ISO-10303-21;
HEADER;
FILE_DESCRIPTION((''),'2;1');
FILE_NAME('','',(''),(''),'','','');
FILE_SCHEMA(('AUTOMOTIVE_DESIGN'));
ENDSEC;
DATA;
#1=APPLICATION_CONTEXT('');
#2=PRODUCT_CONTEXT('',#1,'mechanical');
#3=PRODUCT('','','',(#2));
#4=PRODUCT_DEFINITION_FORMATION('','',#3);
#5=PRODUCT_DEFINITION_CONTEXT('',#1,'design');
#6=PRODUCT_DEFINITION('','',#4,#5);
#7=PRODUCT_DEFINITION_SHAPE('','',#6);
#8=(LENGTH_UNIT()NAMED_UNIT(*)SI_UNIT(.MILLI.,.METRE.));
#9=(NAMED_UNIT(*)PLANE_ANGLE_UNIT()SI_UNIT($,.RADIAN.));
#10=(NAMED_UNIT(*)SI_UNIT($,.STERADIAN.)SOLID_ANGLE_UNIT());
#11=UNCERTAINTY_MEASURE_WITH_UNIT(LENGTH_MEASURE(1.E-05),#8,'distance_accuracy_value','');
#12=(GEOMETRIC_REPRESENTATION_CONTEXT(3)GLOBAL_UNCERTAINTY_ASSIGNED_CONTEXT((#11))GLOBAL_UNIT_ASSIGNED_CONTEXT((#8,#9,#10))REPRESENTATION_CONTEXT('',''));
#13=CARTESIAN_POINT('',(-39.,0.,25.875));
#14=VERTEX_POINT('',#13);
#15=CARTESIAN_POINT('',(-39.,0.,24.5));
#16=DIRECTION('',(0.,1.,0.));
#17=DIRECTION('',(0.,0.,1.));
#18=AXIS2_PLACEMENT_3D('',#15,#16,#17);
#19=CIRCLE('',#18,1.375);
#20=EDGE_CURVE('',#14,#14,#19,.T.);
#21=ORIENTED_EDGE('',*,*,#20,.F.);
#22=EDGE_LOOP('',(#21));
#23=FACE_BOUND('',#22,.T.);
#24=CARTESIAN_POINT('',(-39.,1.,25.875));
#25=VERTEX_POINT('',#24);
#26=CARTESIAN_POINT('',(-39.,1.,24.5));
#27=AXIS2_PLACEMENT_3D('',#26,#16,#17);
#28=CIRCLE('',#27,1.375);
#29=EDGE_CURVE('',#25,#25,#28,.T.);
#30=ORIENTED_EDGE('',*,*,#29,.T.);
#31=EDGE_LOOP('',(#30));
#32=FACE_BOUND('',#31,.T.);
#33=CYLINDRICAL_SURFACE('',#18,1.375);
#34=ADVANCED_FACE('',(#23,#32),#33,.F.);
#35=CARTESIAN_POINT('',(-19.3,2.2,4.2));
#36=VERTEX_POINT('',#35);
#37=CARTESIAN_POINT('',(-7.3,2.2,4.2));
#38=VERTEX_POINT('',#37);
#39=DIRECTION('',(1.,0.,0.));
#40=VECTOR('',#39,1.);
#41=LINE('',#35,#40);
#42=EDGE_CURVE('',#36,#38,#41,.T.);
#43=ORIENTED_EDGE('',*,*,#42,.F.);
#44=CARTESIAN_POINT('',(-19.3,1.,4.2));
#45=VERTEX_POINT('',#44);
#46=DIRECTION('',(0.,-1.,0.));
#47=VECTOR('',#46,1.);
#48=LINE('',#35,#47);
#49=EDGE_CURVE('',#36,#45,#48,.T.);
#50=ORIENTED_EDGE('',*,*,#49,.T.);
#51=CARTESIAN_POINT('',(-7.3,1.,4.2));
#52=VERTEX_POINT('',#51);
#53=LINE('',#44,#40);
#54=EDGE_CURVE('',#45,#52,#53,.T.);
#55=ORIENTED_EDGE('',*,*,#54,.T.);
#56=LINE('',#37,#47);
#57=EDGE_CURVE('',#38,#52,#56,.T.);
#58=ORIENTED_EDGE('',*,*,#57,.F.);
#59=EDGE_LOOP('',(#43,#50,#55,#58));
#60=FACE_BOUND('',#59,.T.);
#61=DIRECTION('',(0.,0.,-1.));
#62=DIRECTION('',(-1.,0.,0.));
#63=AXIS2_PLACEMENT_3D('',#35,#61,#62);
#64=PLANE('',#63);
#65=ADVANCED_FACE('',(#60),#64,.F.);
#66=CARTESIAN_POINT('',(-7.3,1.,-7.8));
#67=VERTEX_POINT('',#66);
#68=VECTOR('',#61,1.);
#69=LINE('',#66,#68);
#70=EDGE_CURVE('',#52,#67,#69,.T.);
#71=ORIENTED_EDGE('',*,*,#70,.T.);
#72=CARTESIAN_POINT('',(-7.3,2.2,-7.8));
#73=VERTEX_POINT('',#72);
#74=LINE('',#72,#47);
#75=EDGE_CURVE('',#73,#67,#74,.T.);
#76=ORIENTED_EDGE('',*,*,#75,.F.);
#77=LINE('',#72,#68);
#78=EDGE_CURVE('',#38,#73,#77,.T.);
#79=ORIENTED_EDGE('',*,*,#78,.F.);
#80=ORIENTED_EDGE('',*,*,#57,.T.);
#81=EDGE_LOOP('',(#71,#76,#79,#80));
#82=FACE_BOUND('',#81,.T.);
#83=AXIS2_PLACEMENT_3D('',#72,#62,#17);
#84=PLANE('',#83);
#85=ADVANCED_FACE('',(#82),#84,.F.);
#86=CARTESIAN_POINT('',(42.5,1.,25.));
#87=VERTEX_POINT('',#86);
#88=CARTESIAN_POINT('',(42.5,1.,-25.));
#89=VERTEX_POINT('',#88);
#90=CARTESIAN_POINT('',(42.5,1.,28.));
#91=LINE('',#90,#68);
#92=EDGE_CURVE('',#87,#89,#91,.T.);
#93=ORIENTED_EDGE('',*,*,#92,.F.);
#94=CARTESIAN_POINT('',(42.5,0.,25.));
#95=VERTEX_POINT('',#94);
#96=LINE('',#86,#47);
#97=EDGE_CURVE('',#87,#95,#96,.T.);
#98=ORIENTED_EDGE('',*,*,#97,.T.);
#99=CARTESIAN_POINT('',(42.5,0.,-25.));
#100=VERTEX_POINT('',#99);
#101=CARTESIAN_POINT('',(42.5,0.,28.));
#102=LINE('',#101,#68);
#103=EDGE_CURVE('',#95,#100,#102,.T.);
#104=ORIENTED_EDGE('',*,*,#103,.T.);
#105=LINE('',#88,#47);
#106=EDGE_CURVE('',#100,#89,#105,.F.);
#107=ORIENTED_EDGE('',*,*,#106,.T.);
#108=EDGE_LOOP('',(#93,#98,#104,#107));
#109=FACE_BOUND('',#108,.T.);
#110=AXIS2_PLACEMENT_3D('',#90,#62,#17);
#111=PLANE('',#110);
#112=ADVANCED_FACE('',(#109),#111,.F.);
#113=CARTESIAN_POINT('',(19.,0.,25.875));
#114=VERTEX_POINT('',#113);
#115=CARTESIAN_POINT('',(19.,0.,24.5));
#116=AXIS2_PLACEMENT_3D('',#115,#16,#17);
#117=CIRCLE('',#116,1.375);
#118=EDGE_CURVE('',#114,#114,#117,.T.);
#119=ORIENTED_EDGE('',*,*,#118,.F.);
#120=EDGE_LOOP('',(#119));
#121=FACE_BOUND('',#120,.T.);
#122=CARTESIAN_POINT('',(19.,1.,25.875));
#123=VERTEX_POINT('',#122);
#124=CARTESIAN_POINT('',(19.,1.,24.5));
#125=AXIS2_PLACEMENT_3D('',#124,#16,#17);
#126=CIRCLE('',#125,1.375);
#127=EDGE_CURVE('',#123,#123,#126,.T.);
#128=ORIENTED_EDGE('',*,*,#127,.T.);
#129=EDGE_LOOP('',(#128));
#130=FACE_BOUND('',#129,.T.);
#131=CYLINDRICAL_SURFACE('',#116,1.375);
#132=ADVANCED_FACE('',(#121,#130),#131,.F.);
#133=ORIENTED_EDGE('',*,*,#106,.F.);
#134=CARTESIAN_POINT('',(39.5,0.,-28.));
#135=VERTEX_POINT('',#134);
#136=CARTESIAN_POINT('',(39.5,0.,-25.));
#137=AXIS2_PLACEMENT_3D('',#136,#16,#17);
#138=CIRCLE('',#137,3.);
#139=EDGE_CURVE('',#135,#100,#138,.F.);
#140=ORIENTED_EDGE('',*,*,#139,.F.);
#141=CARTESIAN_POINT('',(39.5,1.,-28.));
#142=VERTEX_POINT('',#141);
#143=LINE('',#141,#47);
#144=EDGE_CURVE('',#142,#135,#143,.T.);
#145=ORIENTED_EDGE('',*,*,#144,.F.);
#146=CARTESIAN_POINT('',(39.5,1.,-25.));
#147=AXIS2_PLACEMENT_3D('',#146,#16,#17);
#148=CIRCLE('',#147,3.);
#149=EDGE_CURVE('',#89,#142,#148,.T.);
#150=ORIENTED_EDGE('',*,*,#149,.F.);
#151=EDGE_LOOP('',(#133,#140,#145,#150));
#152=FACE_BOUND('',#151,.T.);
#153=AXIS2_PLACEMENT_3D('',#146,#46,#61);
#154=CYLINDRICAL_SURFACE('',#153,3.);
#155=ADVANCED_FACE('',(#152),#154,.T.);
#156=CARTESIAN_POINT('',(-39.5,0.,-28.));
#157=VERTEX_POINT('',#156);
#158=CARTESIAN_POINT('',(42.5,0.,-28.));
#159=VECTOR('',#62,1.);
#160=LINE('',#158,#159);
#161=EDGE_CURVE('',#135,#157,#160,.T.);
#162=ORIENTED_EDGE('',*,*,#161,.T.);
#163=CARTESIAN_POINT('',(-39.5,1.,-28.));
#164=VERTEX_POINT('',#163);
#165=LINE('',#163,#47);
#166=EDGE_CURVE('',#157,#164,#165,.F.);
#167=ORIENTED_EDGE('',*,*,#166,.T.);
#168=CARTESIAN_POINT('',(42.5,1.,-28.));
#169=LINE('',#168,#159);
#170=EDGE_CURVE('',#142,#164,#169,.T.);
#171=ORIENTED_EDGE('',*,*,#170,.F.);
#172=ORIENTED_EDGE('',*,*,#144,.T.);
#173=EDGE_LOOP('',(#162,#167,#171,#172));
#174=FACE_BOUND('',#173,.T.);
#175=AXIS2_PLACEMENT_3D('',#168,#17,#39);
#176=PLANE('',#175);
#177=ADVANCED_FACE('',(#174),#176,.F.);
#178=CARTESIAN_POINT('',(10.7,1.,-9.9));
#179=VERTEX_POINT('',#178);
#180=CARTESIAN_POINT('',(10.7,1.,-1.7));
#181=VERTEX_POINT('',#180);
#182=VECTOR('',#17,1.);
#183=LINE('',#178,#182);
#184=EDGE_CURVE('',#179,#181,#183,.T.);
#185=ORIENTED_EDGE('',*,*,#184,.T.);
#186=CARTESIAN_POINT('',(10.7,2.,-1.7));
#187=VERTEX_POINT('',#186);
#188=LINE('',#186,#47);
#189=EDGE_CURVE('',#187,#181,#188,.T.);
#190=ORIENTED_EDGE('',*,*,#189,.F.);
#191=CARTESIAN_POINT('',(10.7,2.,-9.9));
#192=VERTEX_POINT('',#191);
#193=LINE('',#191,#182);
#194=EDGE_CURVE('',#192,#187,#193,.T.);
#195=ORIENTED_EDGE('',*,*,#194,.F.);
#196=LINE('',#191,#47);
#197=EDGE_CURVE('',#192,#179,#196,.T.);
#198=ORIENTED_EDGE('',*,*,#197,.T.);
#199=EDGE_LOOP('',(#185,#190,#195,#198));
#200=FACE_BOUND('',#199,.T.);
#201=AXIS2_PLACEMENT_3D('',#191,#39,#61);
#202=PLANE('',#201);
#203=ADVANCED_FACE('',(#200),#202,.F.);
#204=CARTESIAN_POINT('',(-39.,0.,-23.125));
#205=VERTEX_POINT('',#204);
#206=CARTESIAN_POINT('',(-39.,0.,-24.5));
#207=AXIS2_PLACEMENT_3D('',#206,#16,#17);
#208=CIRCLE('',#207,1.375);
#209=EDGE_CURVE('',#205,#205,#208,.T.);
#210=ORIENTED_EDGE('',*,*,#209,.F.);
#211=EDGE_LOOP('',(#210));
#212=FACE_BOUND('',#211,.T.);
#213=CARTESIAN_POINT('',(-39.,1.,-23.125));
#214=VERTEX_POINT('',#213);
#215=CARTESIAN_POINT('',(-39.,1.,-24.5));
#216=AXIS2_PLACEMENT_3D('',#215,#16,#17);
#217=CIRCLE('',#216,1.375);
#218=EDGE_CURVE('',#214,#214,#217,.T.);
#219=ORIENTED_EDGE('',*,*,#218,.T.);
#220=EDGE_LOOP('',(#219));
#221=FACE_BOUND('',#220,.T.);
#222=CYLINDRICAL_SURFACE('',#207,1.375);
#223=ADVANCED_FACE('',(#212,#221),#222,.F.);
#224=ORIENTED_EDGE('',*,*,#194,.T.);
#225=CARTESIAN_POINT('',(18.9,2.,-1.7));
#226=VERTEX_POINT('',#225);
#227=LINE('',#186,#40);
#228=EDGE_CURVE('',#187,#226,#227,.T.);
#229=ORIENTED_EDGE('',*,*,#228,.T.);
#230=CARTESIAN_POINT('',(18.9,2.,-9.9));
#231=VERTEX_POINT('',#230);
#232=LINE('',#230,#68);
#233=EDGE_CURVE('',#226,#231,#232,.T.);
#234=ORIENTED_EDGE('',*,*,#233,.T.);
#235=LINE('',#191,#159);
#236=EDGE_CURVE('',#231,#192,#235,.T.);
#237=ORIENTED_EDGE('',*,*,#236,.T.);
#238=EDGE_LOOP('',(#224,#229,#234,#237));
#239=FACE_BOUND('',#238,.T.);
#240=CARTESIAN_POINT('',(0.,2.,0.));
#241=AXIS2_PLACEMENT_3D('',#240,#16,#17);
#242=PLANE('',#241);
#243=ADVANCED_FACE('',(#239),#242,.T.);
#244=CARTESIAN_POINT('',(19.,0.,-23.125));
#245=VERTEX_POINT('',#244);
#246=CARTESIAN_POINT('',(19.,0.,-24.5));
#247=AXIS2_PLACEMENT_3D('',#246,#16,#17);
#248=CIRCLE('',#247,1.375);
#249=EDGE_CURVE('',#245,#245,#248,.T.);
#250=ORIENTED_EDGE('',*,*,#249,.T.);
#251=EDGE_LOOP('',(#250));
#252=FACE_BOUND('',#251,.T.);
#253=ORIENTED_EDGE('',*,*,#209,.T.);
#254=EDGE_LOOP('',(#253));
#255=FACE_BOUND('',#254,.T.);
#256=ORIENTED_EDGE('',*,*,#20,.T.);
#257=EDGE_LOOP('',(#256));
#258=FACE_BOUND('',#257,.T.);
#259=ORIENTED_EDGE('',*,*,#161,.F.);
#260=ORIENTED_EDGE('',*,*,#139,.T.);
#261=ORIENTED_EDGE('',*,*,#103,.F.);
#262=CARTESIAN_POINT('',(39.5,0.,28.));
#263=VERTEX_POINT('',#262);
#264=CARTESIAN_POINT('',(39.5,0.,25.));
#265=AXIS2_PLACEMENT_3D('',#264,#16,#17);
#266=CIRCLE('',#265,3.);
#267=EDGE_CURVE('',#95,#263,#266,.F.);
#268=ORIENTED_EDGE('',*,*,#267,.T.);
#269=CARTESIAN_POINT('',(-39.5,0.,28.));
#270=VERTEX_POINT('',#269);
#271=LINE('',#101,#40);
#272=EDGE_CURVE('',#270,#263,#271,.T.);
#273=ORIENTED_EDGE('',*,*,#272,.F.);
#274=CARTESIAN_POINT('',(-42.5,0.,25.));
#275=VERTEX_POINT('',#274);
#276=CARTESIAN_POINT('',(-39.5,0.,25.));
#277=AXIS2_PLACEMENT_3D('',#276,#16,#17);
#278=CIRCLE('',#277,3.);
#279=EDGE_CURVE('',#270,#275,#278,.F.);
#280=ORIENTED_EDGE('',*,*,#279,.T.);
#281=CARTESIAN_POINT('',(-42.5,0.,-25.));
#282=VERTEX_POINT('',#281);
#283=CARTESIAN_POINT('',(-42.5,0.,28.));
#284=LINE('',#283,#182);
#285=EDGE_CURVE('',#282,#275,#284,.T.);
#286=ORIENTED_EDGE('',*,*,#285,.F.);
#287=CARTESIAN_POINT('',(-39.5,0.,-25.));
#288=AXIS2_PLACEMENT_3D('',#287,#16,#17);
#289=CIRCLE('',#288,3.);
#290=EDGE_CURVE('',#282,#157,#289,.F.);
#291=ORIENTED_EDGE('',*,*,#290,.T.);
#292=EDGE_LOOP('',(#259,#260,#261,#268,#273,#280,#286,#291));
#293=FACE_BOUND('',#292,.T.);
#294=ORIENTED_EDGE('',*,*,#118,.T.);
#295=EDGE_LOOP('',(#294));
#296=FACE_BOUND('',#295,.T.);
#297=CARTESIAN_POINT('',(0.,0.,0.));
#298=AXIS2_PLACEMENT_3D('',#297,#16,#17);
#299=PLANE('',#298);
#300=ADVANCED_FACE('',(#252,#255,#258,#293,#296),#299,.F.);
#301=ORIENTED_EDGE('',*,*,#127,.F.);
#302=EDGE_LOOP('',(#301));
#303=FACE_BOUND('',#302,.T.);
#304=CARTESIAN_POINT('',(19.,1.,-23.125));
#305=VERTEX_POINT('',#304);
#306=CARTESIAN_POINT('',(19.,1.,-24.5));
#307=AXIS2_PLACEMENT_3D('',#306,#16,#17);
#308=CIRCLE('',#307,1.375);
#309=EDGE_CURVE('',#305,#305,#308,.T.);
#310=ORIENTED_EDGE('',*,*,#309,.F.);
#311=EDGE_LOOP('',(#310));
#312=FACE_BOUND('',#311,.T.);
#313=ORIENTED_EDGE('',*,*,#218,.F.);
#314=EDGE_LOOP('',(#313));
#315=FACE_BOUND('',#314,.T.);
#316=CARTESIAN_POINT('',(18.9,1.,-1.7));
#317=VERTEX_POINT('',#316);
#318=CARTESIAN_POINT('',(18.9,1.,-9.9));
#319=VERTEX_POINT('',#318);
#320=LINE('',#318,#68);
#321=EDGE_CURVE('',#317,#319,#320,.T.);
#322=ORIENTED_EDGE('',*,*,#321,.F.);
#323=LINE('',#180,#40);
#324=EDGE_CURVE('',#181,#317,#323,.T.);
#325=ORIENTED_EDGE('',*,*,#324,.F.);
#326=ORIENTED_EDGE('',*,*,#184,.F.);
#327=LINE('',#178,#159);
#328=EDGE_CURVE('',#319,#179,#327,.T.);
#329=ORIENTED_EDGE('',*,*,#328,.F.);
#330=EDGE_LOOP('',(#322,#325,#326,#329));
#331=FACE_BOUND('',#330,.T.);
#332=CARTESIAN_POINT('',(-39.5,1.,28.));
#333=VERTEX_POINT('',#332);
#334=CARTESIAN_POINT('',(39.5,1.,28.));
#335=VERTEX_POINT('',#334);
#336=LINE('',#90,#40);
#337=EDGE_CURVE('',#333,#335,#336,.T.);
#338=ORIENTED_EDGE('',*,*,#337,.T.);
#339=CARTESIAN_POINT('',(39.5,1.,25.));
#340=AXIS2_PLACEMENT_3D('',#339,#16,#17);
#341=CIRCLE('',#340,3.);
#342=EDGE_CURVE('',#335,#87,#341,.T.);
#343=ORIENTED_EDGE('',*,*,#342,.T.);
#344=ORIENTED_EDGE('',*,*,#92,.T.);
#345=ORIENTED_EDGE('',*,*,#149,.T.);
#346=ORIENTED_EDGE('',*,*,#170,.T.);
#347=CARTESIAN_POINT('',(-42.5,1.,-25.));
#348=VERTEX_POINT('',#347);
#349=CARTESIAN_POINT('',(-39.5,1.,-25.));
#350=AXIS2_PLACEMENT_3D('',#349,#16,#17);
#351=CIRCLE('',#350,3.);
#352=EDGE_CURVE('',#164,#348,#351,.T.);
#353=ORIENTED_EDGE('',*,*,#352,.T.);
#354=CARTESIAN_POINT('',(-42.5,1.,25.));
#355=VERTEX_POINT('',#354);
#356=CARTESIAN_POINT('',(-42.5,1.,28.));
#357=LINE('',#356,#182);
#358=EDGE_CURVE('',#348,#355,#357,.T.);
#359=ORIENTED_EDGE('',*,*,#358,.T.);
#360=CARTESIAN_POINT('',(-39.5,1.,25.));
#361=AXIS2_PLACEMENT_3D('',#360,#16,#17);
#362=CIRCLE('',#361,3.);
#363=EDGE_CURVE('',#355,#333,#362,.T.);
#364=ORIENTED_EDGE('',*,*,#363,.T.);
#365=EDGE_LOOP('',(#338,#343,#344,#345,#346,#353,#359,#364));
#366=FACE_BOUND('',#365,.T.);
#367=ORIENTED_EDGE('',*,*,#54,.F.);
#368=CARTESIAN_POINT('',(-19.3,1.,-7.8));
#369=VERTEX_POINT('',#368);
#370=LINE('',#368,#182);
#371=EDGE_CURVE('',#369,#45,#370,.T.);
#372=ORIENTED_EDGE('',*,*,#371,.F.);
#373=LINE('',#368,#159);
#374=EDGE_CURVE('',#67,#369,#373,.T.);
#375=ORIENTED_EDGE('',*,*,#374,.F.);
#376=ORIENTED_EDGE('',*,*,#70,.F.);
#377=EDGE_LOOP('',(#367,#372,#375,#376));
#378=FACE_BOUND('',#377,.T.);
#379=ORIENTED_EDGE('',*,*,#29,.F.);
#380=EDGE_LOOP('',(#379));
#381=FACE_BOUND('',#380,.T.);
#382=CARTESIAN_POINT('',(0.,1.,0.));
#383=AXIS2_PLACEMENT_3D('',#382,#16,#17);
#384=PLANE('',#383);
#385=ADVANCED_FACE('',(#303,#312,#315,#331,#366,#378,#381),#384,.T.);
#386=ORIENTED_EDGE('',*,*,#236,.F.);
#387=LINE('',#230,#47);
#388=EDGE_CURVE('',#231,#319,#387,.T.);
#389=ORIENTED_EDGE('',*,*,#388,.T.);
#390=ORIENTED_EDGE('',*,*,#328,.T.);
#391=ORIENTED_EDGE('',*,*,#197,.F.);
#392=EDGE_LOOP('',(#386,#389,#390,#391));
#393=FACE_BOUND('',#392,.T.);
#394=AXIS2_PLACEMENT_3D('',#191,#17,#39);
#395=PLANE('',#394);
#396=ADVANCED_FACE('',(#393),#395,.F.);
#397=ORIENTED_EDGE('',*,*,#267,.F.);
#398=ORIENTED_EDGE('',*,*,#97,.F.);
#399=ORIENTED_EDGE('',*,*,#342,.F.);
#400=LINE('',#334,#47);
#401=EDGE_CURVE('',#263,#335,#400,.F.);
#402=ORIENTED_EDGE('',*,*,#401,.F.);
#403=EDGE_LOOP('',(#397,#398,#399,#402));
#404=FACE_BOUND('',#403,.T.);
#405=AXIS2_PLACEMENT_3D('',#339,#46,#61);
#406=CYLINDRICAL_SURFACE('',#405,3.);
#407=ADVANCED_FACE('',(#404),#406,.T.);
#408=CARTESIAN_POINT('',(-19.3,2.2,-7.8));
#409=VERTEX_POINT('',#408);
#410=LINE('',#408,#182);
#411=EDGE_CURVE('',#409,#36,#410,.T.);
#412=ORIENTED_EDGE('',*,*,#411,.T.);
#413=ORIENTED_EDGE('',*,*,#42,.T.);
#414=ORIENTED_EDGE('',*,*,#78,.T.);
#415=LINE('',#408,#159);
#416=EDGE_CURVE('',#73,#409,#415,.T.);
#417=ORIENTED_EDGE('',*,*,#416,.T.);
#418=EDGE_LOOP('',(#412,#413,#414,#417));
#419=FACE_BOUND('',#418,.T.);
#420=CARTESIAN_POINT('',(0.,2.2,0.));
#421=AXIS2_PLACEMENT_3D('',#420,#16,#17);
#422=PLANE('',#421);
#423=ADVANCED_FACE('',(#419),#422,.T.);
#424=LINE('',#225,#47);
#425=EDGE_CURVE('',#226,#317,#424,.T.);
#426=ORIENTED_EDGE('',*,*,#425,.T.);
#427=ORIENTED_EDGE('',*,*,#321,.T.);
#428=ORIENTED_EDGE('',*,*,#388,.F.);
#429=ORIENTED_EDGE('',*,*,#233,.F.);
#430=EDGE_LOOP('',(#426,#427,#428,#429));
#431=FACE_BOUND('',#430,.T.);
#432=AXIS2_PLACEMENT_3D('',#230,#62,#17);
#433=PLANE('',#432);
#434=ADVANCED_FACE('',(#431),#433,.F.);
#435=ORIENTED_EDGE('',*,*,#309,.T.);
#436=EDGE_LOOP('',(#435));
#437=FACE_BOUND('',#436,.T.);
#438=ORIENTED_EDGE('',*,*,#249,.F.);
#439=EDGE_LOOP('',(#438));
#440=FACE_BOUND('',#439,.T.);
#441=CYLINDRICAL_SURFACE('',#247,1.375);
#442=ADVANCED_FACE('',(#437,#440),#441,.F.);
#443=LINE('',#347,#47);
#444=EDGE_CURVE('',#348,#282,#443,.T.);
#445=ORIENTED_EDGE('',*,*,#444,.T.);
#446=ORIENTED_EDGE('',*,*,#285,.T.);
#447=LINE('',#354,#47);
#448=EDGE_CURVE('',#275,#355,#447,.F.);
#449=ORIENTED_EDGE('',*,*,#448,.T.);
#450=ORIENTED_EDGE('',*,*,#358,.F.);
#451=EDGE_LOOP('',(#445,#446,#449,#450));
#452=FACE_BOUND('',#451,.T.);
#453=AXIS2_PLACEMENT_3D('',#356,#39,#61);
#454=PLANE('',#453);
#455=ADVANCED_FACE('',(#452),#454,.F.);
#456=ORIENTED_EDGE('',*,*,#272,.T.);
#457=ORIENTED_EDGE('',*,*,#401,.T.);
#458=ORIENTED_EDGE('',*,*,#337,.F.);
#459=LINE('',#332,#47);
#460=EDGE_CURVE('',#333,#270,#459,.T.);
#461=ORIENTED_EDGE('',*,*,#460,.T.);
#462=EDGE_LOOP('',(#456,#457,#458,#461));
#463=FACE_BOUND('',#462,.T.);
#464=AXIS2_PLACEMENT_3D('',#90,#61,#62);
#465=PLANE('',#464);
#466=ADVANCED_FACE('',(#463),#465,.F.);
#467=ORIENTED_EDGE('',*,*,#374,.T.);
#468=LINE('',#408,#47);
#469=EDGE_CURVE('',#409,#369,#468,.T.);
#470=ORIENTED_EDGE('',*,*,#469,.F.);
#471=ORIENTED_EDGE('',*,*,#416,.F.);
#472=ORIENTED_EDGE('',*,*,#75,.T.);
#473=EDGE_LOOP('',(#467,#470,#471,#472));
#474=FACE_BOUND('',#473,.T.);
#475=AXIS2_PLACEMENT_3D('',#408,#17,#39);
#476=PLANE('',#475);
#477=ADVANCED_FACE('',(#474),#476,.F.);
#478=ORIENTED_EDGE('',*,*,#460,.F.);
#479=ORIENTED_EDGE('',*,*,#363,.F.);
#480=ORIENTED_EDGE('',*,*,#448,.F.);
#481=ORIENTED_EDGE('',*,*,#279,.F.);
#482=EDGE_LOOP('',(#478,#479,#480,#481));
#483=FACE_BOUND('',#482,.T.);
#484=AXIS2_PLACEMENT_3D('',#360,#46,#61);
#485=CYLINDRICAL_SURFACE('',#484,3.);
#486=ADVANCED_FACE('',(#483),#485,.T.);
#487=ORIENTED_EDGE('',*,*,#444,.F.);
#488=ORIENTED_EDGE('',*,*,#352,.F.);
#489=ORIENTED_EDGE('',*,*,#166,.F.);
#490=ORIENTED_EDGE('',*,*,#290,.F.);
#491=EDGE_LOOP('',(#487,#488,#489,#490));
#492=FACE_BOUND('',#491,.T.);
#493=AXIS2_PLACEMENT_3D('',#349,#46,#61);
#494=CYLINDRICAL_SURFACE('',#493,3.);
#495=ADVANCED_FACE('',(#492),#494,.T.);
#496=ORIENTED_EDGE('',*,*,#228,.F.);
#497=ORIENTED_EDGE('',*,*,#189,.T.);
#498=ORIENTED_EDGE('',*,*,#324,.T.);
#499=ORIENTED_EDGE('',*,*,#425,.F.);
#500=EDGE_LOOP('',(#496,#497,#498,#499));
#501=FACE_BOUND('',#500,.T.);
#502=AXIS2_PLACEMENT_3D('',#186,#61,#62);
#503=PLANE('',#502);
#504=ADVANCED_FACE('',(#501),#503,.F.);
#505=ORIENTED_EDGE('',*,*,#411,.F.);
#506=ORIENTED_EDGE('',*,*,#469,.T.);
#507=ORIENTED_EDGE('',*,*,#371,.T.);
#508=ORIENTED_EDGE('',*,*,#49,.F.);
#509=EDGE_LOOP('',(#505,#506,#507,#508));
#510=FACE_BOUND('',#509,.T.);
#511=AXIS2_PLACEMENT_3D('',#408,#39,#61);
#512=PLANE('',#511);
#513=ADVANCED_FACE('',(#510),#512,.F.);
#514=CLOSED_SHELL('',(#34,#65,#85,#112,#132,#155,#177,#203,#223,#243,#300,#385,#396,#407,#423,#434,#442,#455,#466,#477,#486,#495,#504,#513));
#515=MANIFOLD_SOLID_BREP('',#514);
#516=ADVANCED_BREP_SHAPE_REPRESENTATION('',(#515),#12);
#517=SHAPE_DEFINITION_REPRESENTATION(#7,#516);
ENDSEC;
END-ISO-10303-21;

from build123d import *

# Parameters (mm, degrees)
SKETCH_1_W          = 85
SKETCH_1_H          = 56
EXTRUDE_1_DEPTH     = 1
FILLET_1_R          = 3
SKETCH_2_R          = 1.375
CUT_EXTRUDE_1_DEPTH = 51.904322017
SKETCH_3_W          = 12
SKETCH_3_H          = 12
EXTRUDE_2_DEPTH     = 1.2
SKETCH_4_W          = 8.2
SKETCH_4_H          = 8.2
EXTRUDE_3_DEPTH     = 1


with BuildPart() as part:
    # Эскиз1 → Бобышка-Вытянуть1 (new body)
    with BuildSketch(Plane(origin=(0, 0, 0), x_dir=(1, 0, 0), z_dir=(0, 1, 0))):
        Rectangle(SKETCH_1_W, SKETCH_1_H)
    extrude(amount=EXTRUDE_1_DEPTH)

    # Скругление1
    fillet_1_edges = [part.edges().sort_by_distance(p)[0] for p in [
        (-42.5, 0.5, -28),
        (42.5, 0.5, -28),
        (42.5, 0.5, 28),
        (-42.5, 0.5, 28),
    ]]
    fillet(fillet_1_edges, radius=FILLET_1_R)

    # Эскиз2 → Вырез-Вытянуть1 (cut, through all)
    with BuildSketch(Plane(origin=(0, 1, 0), x_dir=(1, 0, 0), z_dir=(0, 1, 0))):
        with Locations(Location((19, 24.5, 0), (0, 0, 270))):
            Circle(SKETCH_2_R)
        with Locations(Location((-39, 24.5, 0), (0, 0, 270))):
            Circle(SKETCH_2_R)
        with Locations(Location((-39, -24.5, 0), (0, 0, 270))):
            Circle(SKETCH_2_R)
        with Locations(Location((19, -24.5, 0), (0, 0, 270))):
            Circle(SKETCH_2_R)
    extrude(amount=-CUT_EXTRUDE_1_DEPTH, mode=Mode.SUBTRACT)

    # Эскиз3 → Бобышка-Вытянуть2 (add)
    with BuildSketch(Plane(origin=(0, 1, 0), x_dir=(1, 0, 0), z_dir=(0, 1, 0))):
        with Locations((-13.3, 1.8)):
            Rectangle(SKETCH_3_W, SKETCH_3_H)
    extrude(amount=EXTRUDE_2_DEPTH)

    # Эскиз4 → Бобышка-Вытянуть3 (add)
    with BuildSketch(Plane(origin=(0, 1, 0), x_dir=(1, 0, 0), z_dir=(0, 1, 0))):
        with Locations((14.8, 5.8)):
            Rectangle(SKETCH_4_W, SKETCH_4_H)
    extrude(amount=EXTRUDE_3_DEPTH)


solid = part.part
